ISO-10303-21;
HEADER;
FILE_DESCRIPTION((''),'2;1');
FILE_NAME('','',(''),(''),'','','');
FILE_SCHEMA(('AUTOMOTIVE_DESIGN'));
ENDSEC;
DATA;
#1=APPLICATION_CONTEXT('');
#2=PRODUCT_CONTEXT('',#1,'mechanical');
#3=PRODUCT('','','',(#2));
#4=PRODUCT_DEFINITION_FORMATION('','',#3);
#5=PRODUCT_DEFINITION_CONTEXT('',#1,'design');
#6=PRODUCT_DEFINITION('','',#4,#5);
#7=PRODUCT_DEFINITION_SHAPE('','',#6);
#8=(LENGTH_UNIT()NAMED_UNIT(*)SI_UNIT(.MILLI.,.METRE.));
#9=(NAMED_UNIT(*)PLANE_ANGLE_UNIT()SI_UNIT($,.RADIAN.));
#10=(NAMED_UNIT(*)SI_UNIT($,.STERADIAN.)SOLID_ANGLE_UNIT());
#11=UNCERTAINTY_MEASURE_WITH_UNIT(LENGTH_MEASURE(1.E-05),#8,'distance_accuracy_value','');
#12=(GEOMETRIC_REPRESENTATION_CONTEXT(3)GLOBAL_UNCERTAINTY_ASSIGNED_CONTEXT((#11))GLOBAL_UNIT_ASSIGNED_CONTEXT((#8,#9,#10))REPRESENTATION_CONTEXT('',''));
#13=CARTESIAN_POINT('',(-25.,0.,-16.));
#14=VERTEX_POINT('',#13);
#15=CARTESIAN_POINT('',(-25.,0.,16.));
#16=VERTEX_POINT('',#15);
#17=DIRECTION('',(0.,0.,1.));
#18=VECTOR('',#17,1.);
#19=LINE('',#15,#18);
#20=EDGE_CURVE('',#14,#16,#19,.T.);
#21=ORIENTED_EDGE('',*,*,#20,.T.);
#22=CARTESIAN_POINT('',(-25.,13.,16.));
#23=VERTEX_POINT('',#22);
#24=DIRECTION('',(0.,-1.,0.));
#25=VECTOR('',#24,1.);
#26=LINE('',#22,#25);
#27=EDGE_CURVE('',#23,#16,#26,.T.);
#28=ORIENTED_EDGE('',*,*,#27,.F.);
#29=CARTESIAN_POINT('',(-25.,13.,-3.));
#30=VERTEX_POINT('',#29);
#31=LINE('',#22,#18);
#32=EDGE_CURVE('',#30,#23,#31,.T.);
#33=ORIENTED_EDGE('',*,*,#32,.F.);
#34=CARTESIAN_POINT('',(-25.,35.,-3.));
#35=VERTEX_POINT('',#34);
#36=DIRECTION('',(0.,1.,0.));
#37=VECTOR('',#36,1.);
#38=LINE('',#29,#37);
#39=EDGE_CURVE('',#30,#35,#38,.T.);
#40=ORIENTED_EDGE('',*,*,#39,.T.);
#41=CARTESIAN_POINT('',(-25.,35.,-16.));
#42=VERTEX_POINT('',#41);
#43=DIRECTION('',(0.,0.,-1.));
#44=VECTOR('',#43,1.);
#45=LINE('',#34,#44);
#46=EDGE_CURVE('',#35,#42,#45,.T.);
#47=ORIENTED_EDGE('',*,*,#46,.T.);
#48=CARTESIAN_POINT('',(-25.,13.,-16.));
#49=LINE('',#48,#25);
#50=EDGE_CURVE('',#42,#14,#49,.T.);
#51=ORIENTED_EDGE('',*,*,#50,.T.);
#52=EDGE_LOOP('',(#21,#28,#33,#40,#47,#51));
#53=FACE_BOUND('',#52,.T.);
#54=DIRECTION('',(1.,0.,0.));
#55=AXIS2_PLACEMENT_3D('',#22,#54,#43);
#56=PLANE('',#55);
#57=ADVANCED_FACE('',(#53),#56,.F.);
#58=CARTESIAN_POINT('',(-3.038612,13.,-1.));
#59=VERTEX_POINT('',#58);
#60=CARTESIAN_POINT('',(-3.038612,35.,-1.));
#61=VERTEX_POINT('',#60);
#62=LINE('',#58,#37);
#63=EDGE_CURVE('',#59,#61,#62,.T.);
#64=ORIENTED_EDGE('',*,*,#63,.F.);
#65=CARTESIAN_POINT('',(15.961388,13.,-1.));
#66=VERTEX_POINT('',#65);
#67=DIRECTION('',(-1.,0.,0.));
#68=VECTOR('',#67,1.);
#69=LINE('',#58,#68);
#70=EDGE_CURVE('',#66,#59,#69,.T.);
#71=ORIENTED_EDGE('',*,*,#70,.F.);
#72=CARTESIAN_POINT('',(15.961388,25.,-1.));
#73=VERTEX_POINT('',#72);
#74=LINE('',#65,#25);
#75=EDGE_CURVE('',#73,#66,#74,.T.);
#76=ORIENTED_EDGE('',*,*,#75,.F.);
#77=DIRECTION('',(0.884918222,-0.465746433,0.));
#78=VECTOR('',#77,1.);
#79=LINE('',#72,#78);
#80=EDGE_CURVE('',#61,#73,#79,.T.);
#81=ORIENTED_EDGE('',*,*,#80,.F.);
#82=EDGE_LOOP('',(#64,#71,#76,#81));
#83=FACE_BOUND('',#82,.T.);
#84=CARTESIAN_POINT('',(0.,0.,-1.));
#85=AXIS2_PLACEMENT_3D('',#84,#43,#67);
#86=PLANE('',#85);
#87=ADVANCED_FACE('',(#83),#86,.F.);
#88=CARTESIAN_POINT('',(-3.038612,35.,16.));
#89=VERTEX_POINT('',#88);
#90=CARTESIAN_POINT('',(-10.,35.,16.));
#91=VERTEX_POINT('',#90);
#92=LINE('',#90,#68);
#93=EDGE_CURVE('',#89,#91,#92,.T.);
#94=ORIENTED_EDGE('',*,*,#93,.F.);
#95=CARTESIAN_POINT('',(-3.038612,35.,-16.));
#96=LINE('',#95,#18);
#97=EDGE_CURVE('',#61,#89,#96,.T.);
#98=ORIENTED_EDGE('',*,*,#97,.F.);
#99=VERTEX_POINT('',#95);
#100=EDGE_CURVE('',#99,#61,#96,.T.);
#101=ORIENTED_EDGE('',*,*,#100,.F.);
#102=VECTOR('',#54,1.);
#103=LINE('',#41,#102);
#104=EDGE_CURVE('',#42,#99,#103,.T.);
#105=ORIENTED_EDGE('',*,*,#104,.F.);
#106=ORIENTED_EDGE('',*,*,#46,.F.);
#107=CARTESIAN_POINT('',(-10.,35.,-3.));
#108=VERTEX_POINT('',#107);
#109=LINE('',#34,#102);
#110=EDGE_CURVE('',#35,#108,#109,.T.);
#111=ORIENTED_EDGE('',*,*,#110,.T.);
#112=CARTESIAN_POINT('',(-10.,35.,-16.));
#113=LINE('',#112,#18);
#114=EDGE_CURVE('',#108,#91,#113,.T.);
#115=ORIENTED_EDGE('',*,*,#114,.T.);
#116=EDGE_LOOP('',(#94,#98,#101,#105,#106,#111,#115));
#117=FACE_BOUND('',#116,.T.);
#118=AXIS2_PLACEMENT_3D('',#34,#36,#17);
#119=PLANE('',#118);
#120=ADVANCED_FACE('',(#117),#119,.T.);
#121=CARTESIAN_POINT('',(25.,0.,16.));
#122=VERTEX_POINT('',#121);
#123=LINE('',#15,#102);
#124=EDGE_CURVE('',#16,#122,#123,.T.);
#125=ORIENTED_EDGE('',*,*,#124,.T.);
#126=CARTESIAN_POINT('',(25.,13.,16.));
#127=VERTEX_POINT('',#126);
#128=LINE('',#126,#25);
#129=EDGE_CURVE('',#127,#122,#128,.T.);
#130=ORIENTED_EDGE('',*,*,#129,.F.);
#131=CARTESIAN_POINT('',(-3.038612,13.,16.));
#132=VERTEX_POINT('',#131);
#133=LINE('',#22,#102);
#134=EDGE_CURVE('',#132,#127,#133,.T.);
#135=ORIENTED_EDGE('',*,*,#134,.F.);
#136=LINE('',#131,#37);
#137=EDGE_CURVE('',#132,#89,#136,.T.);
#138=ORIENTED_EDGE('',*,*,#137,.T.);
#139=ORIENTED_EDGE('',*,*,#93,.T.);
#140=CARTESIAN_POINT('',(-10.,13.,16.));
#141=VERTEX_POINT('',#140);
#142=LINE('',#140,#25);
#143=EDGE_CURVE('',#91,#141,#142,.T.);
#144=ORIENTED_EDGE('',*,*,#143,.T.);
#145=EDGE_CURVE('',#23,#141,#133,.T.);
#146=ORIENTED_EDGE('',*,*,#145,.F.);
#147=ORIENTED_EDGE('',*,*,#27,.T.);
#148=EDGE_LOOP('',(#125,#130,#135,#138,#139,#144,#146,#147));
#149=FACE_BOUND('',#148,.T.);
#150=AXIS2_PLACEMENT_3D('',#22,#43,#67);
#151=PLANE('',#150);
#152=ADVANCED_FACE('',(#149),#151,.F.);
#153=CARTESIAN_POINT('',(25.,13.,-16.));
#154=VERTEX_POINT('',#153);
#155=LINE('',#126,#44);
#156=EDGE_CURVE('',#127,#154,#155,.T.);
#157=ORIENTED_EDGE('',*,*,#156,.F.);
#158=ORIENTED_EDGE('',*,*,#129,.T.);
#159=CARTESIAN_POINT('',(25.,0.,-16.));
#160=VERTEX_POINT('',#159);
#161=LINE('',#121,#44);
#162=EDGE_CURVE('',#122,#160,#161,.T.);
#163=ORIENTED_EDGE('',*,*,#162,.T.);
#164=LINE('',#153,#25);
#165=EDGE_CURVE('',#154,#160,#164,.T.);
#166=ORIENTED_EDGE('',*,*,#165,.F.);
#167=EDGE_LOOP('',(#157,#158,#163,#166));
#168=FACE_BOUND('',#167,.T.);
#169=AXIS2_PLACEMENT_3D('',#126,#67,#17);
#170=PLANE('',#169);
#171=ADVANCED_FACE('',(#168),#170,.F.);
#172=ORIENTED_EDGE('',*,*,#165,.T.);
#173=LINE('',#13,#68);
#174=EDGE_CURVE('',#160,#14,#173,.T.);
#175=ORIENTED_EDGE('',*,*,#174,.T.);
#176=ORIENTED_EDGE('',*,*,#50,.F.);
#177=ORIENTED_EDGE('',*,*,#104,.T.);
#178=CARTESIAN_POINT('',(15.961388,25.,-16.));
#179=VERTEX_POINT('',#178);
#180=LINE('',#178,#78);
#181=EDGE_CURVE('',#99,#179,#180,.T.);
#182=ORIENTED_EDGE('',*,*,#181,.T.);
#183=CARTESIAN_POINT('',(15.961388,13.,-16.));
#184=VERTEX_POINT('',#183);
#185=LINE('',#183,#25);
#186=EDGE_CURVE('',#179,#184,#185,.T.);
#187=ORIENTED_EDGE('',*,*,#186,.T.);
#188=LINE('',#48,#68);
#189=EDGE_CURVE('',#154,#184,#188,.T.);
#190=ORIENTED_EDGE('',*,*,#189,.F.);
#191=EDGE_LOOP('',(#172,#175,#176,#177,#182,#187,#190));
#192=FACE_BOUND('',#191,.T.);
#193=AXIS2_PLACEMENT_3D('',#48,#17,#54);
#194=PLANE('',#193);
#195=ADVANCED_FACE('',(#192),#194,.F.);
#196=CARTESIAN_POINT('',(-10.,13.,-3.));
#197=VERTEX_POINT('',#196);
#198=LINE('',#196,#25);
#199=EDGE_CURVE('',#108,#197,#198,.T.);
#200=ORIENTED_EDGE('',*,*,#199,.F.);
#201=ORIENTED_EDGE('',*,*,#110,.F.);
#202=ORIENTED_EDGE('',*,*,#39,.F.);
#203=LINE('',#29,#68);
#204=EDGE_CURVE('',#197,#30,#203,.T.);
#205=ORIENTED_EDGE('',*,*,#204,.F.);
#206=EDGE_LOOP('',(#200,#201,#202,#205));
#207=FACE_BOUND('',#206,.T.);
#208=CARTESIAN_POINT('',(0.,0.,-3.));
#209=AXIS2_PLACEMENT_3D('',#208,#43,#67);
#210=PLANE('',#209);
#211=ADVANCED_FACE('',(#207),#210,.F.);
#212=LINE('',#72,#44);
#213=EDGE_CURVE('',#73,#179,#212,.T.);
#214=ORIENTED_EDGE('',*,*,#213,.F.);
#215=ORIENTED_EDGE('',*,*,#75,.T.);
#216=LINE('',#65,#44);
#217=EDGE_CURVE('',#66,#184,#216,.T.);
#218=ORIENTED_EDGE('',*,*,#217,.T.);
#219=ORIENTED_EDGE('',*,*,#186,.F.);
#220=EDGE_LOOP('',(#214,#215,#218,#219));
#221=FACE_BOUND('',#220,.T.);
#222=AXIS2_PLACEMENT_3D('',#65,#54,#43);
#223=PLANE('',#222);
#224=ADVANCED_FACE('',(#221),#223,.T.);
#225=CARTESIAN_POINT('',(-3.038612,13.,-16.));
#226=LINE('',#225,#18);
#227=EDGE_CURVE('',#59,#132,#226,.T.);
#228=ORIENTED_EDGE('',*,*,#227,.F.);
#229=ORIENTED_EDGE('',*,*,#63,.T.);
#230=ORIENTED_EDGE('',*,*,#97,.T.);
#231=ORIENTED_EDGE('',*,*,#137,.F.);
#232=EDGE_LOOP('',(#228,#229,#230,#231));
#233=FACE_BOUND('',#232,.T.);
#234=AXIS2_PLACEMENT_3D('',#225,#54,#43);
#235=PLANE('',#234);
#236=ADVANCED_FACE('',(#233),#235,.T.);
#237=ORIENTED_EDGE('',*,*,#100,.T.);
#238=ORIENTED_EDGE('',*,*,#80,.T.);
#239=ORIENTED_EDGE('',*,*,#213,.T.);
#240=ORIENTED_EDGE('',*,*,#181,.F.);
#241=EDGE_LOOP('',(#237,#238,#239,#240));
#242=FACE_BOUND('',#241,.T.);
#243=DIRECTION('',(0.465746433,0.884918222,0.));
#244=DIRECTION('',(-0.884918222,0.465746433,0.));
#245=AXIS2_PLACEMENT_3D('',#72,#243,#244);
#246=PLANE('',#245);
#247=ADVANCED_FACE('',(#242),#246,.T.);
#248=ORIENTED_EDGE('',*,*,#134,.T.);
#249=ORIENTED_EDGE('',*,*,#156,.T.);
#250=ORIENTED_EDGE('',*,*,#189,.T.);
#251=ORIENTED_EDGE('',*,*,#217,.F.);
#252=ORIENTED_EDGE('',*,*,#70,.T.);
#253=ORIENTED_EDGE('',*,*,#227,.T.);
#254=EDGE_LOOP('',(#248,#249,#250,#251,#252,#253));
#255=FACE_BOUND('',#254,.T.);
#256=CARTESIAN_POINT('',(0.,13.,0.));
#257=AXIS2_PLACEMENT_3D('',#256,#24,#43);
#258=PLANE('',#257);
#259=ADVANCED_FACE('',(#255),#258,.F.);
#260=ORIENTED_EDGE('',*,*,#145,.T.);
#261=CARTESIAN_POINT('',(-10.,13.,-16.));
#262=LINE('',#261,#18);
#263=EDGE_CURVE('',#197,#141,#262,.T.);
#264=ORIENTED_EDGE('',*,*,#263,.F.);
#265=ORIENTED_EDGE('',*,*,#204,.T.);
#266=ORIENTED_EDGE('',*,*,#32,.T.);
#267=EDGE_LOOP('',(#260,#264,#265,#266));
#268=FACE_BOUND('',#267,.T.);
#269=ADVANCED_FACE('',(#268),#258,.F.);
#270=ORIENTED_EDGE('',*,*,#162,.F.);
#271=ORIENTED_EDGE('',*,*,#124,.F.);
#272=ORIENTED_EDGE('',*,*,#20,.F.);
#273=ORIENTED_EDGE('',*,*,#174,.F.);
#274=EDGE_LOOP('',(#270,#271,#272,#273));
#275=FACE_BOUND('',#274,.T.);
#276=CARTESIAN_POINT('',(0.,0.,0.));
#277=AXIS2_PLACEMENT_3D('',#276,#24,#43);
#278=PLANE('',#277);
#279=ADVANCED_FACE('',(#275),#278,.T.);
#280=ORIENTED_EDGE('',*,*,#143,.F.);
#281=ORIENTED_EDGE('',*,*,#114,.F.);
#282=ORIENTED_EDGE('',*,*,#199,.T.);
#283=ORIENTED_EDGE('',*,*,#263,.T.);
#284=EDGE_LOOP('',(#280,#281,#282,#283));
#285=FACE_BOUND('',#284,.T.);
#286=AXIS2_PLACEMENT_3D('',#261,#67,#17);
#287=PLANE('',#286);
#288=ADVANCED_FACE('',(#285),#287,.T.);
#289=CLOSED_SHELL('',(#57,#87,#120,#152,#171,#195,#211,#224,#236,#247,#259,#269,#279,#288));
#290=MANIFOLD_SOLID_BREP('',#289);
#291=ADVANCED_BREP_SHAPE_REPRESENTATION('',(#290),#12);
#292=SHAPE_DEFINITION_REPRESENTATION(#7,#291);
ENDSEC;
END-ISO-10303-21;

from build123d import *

# Parameters (mm, degrees)
SKETCH1_W           = 50
SKETCH1_H           = 32
BOSS_EXTRUDE1_DEPTH = 13
SKETCH2_W           = 15
SKETCH2_H           = 22
BOSS_EXTRUDE2_DEPTH = 13
SKETCH3_W           = 6.961388266
SKETCH3_H           = 22
BOSS_EXTRUDE3_DEPTH = 32
SKETCH4_W           = 19
SKETCH4_H           = 12
BOSS_EXTRUDE4_DEPTH = 15
BOSS_EXTRUDE5_DEPTH = 15


with BuildPart() as part:
    # Sketch1 → Boss-Extrude1 (new body)
    with BuildSketch(Plane(origin=(0, 0, 0), x_dir=(1, 0, 0), z_dir=(0, 1, 0))):
        Rectangle(SKETCH1_W, SKETCH1_H)
    extrude(amount=BOSS_EXTRUDE1_DEPTH)

    # Sketch2 → Boss-Extrude2 (add)
    with BuildSketch(Plane(origin=(0, 0, -16), x_dir=(-1, 0, 0), z_dir=(0, 0, -1))):
        with Locations((17.5, 24)):
            Rectangle(SKETCH2_W, SKETCH2_H)
    extrude(amount=-BOSS_EXTRUDE2_DEPTH)

    # Sketch3 → Boss-Extrude3 (add)
    with BuildSketch(Plane.XY.offset(16)):
        with Locations((-6.519305867, 24)):
            Rectangle(SKETCH3_W, SKETCH3_H)
    extrude(amount=-BOSS_EXTRUDE3_DEPTH)

    # Sketch4 → Boss-Extrude4 (add)
    with BuildSketch(Plane(origin=(0, 0, -16), x_dir=(-1, 0, 0), z_dir=(0, 0, -1))):
        with Locations((-6.461388266, 19)):
            Rectangle(SKETCH4_W, SKETCH4_H)
    extrude(amount=-BOSS_EXTRUDE4_DEPTH)

    # Sketch5 → Boss-Extrude5 (add)
    with BuildSketch(Plane(origin=(0, 0, -16), x_dir=(-1, 0, 0), z_dir=(0, 0, -1))):
        Polygon((-15.961388266, 25), (3.038611734, 35), (3.038611734, 25), align=None)
    extrude(amount=-BOSS_EXTRUDE5_DEPTH)


solid = part.part
